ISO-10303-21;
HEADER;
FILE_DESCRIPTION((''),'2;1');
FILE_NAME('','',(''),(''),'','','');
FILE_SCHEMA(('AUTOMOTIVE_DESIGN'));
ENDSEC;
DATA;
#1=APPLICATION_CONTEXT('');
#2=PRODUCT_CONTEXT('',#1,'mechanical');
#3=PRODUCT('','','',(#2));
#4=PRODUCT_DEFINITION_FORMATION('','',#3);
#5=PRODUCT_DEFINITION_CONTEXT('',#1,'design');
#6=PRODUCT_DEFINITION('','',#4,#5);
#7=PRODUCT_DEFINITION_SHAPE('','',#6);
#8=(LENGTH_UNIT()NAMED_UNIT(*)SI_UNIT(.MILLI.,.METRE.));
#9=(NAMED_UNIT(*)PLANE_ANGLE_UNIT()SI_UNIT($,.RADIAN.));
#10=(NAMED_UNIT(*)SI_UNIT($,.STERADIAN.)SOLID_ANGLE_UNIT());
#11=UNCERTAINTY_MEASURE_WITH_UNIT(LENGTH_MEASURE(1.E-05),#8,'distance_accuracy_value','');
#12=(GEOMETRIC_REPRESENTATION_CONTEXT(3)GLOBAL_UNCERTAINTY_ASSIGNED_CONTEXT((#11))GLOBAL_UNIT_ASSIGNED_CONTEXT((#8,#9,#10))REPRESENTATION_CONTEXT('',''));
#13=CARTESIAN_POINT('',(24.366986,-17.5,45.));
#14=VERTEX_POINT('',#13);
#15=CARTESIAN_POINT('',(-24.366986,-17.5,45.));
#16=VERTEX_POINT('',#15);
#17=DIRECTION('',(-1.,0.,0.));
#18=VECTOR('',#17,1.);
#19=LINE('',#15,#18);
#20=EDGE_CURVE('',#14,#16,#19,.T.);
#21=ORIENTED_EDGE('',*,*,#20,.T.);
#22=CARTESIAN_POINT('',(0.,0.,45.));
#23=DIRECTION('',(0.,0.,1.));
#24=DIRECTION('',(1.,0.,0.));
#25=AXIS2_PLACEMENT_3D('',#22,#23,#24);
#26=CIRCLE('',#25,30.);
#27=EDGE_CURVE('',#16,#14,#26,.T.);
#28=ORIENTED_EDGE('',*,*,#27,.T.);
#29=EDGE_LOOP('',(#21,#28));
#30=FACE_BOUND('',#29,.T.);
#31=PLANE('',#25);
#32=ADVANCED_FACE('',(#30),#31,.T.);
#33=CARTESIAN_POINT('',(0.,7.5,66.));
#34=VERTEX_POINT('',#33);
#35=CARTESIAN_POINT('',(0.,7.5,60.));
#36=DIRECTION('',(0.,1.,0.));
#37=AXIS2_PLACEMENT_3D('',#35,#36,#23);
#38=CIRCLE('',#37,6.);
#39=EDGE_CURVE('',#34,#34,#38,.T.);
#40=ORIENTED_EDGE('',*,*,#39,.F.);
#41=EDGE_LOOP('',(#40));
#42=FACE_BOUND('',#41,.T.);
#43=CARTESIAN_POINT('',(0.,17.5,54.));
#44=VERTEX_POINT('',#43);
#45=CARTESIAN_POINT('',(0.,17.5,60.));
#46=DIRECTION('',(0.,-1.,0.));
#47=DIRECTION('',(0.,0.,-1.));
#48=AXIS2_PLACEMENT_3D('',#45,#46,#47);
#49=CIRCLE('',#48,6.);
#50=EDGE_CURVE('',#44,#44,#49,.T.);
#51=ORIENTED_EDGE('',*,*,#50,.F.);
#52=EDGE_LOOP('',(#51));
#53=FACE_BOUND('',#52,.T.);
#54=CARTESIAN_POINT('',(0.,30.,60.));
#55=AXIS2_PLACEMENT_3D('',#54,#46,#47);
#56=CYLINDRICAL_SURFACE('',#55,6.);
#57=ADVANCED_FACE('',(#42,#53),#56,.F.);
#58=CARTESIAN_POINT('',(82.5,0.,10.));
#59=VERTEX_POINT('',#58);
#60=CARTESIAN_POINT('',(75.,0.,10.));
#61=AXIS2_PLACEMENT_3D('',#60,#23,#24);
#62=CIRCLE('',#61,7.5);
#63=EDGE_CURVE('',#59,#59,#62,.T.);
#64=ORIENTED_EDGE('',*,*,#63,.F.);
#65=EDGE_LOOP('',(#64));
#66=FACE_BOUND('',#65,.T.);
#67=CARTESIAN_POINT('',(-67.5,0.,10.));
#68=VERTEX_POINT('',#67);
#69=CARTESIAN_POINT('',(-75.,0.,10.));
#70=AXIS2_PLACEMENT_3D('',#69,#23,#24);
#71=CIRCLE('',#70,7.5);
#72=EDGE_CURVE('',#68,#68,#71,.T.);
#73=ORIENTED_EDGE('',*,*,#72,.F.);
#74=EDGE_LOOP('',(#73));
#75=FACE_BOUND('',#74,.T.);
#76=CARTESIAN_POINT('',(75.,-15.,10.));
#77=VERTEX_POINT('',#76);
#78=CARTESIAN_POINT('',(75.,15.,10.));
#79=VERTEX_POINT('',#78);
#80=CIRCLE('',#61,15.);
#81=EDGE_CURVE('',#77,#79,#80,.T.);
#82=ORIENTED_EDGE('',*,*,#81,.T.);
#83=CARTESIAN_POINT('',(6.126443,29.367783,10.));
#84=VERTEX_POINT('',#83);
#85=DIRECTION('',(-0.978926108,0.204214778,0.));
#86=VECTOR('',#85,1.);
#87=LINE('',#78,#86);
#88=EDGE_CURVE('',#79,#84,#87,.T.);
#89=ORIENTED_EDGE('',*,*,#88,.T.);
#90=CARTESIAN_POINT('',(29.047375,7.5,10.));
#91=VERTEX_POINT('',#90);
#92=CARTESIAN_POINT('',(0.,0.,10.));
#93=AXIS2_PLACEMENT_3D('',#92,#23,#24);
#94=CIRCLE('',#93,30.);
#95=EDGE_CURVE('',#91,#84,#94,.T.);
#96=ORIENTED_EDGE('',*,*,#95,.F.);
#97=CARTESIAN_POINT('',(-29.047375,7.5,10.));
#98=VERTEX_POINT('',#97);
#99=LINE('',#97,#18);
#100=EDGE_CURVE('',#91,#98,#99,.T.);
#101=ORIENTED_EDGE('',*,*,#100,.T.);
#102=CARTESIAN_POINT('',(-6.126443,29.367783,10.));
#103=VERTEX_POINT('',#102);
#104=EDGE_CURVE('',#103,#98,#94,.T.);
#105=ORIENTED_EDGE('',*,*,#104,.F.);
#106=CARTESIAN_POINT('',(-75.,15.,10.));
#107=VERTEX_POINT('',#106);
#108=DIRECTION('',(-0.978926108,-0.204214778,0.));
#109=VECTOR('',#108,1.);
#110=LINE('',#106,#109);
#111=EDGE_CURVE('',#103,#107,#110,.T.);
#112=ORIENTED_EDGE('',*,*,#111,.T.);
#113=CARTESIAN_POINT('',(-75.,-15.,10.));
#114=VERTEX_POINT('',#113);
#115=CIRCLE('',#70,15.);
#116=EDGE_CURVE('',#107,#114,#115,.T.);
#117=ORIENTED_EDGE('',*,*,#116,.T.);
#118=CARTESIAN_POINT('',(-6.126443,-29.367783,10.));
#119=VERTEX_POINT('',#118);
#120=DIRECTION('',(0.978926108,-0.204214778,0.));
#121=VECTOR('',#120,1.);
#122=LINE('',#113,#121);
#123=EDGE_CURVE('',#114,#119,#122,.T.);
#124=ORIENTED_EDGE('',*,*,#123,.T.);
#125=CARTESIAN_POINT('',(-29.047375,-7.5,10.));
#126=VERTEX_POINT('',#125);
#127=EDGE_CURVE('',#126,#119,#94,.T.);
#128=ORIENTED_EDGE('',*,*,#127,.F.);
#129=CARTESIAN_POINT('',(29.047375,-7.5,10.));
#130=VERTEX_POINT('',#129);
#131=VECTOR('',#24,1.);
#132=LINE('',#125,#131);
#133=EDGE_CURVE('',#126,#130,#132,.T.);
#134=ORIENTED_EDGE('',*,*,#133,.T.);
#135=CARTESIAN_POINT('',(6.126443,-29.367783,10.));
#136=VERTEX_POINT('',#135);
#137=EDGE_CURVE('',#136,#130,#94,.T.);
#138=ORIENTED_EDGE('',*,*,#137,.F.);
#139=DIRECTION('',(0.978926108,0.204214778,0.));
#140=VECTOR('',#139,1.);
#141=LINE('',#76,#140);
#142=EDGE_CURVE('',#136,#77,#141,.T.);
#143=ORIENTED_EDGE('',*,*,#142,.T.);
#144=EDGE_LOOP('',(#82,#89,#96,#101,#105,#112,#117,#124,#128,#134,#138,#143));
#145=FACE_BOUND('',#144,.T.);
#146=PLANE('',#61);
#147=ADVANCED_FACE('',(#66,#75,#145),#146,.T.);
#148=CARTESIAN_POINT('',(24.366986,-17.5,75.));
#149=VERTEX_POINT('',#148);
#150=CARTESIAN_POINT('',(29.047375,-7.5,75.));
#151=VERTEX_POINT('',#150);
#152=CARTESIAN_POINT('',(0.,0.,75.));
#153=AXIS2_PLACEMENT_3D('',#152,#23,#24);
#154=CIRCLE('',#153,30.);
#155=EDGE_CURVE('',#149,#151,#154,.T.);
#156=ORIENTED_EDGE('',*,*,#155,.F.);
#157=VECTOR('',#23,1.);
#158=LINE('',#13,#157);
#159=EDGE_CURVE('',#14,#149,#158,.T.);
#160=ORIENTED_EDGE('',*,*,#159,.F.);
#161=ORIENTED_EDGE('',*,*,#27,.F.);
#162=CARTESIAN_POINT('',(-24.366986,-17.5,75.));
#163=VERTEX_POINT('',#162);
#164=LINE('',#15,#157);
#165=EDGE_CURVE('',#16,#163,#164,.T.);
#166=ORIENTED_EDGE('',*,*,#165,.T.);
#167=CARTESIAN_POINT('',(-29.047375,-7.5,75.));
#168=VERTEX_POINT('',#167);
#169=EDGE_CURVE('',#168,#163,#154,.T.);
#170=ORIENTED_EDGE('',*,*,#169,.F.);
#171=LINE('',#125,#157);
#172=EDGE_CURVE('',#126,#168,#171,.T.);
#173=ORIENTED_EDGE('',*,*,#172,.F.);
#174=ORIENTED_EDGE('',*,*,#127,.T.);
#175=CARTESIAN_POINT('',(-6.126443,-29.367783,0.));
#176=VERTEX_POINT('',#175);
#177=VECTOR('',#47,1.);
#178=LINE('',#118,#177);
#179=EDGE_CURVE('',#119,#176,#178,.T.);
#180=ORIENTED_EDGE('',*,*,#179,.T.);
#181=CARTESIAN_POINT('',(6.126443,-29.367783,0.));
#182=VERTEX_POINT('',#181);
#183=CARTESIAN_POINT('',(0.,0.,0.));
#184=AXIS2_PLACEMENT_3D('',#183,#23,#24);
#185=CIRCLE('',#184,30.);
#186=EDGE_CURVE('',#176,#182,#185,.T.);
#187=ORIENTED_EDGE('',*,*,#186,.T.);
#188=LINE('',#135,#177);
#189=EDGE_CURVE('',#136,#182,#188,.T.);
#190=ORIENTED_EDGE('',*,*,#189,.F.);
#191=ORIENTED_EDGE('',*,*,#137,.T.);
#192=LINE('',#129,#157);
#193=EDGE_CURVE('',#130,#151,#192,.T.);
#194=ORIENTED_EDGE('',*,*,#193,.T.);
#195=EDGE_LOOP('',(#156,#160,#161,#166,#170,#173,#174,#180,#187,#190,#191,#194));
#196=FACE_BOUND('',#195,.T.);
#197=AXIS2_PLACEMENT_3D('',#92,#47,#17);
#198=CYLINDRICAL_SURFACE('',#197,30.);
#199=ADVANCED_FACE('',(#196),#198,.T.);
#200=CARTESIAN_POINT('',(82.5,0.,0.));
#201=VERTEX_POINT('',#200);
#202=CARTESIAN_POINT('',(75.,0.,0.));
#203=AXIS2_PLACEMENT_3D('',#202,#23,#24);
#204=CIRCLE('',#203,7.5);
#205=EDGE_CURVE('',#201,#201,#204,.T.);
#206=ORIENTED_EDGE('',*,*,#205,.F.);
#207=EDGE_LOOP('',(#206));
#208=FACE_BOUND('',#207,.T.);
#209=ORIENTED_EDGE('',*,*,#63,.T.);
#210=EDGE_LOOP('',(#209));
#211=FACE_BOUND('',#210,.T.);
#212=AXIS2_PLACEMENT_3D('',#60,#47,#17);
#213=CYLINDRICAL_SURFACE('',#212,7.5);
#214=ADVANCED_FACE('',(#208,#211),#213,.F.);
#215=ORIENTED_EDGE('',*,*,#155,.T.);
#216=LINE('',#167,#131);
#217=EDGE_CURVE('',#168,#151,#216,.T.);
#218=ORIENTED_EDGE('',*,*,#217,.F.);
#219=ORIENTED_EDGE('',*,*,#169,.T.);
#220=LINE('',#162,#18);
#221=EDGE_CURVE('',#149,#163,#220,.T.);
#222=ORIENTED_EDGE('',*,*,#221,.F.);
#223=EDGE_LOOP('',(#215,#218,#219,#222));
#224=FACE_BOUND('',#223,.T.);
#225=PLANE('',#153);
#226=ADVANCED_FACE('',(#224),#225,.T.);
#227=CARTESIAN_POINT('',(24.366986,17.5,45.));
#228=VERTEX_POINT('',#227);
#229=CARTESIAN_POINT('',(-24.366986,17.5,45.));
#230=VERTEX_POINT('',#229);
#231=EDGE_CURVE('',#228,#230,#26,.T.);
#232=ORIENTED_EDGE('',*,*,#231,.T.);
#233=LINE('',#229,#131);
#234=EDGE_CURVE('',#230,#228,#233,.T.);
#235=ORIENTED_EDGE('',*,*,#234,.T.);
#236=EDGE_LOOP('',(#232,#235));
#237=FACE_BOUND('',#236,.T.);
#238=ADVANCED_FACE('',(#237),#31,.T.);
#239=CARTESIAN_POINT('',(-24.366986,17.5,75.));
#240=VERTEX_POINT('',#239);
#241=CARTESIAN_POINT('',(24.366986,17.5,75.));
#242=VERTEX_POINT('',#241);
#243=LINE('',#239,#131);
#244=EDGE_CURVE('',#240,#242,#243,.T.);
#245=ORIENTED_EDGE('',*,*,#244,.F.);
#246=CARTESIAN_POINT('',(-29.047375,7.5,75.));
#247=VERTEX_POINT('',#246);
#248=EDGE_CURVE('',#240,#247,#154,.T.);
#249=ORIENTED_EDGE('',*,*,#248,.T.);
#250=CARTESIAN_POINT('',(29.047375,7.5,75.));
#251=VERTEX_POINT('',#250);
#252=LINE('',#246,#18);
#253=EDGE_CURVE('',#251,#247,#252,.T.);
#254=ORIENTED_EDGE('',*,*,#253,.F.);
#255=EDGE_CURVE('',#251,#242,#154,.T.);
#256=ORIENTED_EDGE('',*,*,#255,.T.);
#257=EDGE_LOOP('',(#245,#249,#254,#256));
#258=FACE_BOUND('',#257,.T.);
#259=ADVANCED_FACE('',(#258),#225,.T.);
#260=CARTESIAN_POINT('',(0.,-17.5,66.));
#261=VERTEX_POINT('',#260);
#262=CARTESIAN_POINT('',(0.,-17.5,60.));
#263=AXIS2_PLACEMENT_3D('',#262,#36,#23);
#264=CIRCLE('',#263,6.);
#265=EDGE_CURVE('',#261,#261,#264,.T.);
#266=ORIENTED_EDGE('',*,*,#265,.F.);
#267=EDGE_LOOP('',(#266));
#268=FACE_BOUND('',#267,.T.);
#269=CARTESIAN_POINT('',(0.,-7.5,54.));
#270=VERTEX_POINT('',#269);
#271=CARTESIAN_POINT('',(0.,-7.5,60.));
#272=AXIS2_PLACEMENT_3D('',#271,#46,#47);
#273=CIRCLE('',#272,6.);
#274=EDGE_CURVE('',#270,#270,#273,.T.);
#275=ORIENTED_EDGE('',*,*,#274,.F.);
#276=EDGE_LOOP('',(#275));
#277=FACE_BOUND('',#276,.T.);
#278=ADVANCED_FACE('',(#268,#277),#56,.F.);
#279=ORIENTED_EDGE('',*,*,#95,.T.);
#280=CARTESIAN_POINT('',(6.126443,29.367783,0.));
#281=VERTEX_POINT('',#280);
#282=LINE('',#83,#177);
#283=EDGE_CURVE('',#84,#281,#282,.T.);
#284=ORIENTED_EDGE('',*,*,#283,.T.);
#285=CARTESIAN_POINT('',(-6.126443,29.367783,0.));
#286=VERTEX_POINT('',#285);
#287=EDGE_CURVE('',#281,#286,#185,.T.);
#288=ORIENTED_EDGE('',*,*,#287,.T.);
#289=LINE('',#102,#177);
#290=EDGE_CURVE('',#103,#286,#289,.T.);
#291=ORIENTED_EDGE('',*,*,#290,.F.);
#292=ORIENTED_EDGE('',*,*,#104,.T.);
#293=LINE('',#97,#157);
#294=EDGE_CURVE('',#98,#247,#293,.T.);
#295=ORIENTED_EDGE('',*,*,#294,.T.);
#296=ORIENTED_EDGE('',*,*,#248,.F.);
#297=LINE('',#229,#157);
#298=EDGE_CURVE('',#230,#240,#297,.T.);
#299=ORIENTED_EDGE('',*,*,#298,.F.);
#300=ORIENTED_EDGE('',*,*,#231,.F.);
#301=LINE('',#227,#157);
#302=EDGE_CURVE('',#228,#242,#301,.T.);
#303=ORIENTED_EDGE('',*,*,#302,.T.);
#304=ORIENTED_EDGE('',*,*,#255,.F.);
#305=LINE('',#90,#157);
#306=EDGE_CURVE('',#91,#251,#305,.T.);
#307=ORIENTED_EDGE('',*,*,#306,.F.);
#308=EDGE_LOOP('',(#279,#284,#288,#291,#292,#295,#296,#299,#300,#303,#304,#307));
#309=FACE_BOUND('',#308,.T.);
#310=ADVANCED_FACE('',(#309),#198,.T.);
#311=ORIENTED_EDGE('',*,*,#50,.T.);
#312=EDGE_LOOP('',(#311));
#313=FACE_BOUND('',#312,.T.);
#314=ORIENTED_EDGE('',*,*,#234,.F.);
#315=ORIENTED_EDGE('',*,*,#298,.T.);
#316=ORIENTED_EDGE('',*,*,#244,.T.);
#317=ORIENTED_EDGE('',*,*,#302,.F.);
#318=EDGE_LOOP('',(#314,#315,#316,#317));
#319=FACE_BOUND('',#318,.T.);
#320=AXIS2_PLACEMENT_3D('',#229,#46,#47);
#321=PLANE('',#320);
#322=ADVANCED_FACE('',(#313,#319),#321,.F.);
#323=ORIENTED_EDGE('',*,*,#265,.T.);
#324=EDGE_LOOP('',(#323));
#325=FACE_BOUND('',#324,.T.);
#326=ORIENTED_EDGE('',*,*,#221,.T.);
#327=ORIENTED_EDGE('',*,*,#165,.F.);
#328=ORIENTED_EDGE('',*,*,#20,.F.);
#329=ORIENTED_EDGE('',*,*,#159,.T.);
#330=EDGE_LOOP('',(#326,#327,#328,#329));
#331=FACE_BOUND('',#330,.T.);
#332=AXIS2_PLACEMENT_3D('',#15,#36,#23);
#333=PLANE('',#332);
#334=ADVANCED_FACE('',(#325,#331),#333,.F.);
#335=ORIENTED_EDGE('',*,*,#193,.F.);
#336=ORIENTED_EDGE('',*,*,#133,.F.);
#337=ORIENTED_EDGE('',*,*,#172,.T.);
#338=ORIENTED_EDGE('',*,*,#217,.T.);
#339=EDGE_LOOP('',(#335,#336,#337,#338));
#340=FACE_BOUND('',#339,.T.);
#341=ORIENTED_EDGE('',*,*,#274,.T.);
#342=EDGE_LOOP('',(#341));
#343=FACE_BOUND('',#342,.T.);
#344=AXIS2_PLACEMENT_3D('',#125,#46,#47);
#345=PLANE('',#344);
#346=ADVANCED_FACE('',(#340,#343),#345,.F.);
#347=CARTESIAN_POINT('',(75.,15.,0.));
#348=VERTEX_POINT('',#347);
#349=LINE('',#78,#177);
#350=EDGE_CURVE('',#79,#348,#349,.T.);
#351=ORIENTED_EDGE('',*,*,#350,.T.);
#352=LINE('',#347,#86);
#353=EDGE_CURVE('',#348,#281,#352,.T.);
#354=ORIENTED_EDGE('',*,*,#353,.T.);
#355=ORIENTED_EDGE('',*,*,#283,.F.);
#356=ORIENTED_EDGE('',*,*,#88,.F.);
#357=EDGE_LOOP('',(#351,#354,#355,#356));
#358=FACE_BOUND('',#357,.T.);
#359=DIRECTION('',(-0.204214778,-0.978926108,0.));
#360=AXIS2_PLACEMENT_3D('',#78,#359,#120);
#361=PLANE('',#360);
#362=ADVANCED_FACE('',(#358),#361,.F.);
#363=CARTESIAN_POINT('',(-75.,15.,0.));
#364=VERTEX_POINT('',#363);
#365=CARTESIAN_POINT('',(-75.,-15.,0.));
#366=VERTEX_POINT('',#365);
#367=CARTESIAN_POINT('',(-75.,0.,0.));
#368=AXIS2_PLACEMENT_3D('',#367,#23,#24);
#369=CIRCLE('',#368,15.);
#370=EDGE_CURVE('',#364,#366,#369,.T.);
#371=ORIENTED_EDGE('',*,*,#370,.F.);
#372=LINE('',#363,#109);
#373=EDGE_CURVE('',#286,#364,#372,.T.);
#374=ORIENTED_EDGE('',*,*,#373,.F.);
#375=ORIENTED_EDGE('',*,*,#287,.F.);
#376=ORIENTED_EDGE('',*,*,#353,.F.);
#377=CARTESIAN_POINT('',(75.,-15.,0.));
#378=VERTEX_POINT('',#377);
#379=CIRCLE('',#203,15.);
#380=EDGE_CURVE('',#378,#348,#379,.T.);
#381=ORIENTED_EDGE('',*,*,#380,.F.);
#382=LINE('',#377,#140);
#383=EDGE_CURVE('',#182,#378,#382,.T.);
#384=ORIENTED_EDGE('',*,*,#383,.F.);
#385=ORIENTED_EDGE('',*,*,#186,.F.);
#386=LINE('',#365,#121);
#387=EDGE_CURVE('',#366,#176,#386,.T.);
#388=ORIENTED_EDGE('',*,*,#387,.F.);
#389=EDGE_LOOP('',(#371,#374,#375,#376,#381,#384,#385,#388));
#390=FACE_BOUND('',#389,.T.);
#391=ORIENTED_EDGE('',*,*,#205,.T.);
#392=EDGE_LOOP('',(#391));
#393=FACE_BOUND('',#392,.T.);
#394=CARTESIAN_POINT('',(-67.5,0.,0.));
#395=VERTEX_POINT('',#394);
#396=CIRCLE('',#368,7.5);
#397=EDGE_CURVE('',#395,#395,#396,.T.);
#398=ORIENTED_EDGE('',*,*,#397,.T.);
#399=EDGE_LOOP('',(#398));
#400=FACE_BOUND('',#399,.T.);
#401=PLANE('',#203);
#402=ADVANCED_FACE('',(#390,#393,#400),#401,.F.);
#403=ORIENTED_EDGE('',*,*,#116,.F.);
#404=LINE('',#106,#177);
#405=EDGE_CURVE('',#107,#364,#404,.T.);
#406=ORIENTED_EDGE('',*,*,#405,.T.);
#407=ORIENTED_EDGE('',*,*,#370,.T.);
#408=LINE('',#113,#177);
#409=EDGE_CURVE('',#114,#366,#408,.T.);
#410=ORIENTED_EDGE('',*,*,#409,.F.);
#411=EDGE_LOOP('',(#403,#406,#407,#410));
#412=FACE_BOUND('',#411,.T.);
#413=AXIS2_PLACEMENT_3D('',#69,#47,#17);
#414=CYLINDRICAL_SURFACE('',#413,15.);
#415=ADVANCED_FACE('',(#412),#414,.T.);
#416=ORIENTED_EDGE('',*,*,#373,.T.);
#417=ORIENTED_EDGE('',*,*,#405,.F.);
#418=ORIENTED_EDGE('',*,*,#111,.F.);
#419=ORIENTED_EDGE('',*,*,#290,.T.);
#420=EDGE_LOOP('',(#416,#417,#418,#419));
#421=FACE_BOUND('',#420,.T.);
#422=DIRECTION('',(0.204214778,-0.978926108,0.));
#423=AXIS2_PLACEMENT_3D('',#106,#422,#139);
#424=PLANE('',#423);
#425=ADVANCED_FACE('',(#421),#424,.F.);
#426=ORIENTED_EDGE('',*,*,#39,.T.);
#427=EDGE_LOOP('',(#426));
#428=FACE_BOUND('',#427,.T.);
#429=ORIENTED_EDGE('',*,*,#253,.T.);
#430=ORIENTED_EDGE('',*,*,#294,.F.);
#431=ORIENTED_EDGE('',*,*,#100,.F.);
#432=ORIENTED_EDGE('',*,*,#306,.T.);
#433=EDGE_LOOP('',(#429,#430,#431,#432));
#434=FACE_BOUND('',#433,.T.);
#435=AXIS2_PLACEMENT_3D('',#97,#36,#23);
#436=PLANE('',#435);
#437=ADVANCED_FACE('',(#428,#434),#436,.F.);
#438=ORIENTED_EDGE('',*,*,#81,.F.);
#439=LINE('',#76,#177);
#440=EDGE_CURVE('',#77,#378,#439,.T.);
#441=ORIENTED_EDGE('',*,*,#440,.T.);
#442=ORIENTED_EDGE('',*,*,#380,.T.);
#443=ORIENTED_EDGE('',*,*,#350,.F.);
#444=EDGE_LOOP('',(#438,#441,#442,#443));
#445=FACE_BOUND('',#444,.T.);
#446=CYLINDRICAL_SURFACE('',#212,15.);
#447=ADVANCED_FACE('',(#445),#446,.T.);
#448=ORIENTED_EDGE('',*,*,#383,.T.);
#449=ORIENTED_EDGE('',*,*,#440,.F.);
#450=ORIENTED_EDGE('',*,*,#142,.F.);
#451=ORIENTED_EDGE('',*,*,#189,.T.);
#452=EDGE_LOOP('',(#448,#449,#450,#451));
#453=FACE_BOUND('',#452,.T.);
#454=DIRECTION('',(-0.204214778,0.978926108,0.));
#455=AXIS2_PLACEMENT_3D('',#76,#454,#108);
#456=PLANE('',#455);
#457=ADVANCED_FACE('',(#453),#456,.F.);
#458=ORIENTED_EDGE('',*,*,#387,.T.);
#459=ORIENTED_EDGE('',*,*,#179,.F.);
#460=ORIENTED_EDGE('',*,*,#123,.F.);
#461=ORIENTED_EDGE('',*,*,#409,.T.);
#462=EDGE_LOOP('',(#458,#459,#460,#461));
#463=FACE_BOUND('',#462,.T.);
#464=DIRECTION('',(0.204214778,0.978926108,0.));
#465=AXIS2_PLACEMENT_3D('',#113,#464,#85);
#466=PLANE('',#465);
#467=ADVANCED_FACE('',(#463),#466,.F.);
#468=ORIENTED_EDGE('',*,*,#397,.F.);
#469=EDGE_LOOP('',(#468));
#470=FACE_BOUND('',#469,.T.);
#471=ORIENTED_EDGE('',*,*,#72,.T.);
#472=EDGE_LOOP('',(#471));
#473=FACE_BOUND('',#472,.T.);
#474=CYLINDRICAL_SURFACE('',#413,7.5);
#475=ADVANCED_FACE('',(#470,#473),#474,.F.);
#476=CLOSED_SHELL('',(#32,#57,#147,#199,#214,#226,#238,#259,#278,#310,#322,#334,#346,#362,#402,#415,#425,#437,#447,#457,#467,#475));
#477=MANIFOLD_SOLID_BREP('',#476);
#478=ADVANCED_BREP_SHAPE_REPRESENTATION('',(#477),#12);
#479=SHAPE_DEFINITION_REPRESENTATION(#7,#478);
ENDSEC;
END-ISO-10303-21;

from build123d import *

# Parameters (mm, degrees)
SKETCH1_R               = 7.5
BOSS_EXTRUDE1_DEPTH     = 10
SKETCH2_R               = 30
BOSS_EXTRUDE2_DEPTH     = 65
CUT_EXTRUDE1_DEPTH      = 65
CUT_EXTRUDE2_DEPTH      = 30
SKETCH7_R               = 6
CUT_EXTRUDE3_DEPTH      = 13.5
CUT_EXTRUDE3_DEPTH_BACK = 48.5


with BuildPart() as part:
    # Sketch1 → Boss-Extrude1 (new body)
    with BuildSketch(Plane.XY):
        with BuildLine():
            Line((75, 15), (6.126443354, 29.36778323))
            ThreePointArc((6.126443354, 29.36778323), (0, 30), (-6.126443354, 29.36778323))
            Line((-6.126443354, 29.36778323), (-75, 15))
            ThreePointArc((-75, 15), (-90, 0), (-75, -15))
            Line((-75, -15), (-6.126443354, -29.36778323))
            ThreePointArc((-6.126443354, -29.36778323), (0, -30), (6.126443354, -29.36778323))
            Line((6.126443354, -29.36778323), (75, -15))
            ThreePointArc((75, -15), (90, 0), (75, 15))
        make_face()
        with Locations((75, 0)):
            Circle(SKETCH1_R, mode=Mode.SUBTRACT)
        with Locations((-75, 0)):
            Circle(SKETCH1_R, mode=Mode.SUBTRACT)
    extrude(amount=BOSS_EXTRUDE1_DEPTH)

    # Sketch2 → Boss-Extrude2 (add)
    with BuildSketch(Plane.XY.offset(10)):
        Circle(SKETCH2_R)
    extrude(amount=BOSS_EXTRUDE2_DEPTH)

    # Sketch3 → Cut-Extrude1 (cut)
    with BuildSketch(Plane.XY.offset(75)):
        with BuildLine():
            Line((-29.047375097, -7.5), (29.047375097, -7.5))
            ThreePointArc((29.047375097, -7.5), (30, 0), (29.047375097, 7.5))
            Line((29.047375097, 7.5), (-29.047375097, 7.5))
            ThreePointArc((-29.047375097, 7.5), (-30, 0), (-29.047375097, -7.5))
        make_face()
    extrude(amount=-CUT_EXTRUDE1_DEPTH, mode=Mode.SUBTRACT)

    # Sketch4 → Cut-Extrude2 (cut)
    with BuildSketch(Plane.XY.offset(75)):
        with BuildLine():
            Line((-24.366985862, -17.5), (24.366985862, -17.5))
            ThreePointArc((24.366985862, -17.5), (0, -30), (-24.366985862, -17.5))
        make_face()
        with BuildLine():
            Line((-24.366985862, 17.5), (24.366985862, 17.5))
            ThreePointArc((24.366985862, 17.5), (0, 30), (-24.366985862, 17.5))
        make_face()
    extrude(amount=-CUT_EXTRUDE2_DEPTH, mode=Mode.SUBTRACT)

    # Sketch7 → Cut-Extrude3 (cut, two sides)
    with BuildSketch(Plane.XZ.offset(17.5)) as cut_extrude3_sk:
        with Locations((0, 60)):
            Circle(SKETCH7_R)
    extrude(amount=CUT_EXTRUDE3_DEPTH, mode=Mode.SUBTRACT)
    extrude(cut_extrude3_sk.sketch, amount=-CUT_EXTRUDE3_DEPTH_BACK, mode=Mode.SUBTRACT)


solid = part.part
